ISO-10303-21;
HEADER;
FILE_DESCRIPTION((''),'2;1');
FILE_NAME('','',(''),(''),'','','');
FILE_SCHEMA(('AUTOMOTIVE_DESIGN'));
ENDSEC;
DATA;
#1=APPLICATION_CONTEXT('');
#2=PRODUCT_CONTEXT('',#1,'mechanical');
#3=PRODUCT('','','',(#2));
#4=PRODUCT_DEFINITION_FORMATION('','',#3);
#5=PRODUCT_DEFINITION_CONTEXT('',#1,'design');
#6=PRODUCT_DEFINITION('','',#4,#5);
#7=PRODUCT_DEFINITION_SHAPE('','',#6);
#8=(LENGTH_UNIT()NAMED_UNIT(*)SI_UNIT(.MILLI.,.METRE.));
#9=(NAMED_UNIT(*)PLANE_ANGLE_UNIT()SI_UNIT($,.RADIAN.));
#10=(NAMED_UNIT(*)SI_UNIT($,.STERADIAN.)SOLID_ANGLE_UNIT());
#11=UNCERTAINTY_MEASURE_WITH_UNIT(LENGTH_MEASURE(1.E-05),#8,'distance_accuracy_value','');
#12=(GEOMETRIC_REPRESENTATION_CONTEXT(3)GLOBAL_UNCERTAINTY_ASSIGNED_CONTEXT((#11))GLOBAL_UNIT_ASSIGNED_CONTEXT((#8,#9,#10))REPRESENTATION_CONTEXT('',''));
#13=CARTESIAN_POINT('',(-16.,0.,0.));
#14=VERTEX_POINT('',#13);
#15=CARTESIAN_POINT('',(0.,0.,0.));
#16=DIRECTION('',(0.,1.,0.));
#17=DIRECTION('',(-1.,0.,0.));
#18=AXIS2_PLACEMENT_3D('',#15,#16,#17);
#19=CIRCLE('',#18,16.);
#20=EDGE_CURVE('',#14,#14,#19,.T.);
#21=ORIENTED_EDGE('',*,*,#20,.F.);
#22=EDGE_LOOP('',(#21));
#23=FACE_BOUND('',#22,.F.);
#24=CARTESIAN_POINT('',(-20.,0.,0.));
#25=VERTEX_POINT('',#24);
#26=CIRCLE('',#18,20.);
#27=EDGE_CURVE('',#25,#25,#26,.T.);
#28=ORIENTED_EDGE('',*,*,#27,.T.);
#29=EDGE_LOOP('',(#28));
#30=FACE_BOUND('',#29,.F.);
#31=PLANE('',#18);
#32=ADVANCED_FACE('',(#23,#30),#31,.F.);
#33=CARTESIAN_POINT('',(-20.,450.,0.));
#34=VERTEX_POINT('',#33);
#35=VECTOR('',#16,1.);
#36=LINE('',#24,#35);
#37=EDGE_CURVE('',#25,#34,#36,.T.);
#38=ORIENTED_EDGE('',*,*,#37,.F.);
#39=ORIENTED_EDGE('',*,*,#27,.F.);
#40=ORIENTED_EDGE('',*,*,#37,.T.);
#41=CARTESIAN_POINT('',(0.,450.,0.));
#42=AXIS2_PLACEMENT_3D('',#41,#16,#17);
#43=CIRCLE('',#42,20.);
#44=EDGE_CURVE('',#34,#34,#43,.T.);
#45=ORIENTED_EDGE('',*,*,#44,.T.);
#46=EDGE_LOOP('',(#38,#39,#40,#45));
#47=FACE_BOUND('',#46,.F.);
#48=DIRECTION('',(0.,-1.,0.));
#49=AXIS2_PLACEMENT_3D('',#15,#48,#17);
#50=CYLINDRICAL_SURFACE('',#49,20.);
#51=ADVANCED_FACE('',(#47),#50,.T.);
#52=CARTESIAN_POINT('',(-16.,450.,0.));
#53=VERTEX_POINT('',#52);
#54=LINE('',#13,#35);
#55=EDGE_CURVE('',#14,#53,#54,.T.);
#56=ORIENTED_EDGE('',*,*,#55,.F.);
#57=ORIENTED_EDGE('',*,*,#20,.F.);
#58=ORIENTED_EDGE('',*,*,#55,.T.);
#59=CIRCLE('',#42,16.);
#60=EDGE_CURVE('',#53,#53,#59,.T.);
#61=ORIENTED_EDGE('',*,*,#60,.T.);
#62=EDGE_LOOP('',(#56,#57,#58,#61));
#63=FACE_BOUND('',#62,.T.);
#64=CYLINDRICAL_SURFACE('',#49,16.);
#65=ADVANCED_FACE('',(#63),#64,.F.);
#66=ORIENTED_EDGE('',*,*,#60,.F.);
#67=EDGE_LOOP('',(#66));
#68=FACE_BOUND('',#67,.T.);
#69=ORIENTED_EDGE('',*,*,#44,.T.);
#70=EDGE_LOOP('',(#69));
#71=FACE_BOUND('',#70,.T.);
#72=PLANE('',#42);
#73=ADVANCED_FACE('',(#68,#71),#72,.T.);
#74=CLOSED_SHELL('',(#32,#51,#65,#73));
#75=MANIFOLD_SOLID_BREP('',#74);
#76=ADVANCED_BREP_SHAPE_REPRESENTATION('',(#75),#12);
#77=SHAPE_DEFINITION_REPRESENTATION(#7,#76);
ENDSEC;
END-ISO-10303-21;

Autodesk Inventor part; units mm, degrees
sketch "Sketch_1" plane through (0, 0, 0) normal (0, 1, 0) x (-1, 0, 0)
  circle A0 centre (0, 0) radius 20
  circle A1 centre (0, 0) radius 16
extrude "Extrusion1" add sketch "Sketch_1" along normal blind 450
ref_plane "S2_DOWN_XY" through (0, 0, 0) normal (0, 1, 0) x (1, 0, 0)
ref_plane "S2_DOWN_YZ" through (0, 0, 0) normal (1, 0, 0) x (0, 0, -1)
ref_plane "S2_DOWN_ZX" through (0, 0, 0) normal (0, 0, -1) x (0, 1, 0)
ref_plane "S2_UP_XY" through (0, 418, 0) normal (0, -1, 0) x (1, 0, 0)
ref_plane "S2_UP_YZ" through (0, 418, 0) normal (1, 0, 0) x (0, 0, 1)
ref_plane "S2_UP_ZX" through (0, 418, 0) normal (0, 0, 1) x (0, -1, 0)
properties part number "31000133profil_up(550)"
